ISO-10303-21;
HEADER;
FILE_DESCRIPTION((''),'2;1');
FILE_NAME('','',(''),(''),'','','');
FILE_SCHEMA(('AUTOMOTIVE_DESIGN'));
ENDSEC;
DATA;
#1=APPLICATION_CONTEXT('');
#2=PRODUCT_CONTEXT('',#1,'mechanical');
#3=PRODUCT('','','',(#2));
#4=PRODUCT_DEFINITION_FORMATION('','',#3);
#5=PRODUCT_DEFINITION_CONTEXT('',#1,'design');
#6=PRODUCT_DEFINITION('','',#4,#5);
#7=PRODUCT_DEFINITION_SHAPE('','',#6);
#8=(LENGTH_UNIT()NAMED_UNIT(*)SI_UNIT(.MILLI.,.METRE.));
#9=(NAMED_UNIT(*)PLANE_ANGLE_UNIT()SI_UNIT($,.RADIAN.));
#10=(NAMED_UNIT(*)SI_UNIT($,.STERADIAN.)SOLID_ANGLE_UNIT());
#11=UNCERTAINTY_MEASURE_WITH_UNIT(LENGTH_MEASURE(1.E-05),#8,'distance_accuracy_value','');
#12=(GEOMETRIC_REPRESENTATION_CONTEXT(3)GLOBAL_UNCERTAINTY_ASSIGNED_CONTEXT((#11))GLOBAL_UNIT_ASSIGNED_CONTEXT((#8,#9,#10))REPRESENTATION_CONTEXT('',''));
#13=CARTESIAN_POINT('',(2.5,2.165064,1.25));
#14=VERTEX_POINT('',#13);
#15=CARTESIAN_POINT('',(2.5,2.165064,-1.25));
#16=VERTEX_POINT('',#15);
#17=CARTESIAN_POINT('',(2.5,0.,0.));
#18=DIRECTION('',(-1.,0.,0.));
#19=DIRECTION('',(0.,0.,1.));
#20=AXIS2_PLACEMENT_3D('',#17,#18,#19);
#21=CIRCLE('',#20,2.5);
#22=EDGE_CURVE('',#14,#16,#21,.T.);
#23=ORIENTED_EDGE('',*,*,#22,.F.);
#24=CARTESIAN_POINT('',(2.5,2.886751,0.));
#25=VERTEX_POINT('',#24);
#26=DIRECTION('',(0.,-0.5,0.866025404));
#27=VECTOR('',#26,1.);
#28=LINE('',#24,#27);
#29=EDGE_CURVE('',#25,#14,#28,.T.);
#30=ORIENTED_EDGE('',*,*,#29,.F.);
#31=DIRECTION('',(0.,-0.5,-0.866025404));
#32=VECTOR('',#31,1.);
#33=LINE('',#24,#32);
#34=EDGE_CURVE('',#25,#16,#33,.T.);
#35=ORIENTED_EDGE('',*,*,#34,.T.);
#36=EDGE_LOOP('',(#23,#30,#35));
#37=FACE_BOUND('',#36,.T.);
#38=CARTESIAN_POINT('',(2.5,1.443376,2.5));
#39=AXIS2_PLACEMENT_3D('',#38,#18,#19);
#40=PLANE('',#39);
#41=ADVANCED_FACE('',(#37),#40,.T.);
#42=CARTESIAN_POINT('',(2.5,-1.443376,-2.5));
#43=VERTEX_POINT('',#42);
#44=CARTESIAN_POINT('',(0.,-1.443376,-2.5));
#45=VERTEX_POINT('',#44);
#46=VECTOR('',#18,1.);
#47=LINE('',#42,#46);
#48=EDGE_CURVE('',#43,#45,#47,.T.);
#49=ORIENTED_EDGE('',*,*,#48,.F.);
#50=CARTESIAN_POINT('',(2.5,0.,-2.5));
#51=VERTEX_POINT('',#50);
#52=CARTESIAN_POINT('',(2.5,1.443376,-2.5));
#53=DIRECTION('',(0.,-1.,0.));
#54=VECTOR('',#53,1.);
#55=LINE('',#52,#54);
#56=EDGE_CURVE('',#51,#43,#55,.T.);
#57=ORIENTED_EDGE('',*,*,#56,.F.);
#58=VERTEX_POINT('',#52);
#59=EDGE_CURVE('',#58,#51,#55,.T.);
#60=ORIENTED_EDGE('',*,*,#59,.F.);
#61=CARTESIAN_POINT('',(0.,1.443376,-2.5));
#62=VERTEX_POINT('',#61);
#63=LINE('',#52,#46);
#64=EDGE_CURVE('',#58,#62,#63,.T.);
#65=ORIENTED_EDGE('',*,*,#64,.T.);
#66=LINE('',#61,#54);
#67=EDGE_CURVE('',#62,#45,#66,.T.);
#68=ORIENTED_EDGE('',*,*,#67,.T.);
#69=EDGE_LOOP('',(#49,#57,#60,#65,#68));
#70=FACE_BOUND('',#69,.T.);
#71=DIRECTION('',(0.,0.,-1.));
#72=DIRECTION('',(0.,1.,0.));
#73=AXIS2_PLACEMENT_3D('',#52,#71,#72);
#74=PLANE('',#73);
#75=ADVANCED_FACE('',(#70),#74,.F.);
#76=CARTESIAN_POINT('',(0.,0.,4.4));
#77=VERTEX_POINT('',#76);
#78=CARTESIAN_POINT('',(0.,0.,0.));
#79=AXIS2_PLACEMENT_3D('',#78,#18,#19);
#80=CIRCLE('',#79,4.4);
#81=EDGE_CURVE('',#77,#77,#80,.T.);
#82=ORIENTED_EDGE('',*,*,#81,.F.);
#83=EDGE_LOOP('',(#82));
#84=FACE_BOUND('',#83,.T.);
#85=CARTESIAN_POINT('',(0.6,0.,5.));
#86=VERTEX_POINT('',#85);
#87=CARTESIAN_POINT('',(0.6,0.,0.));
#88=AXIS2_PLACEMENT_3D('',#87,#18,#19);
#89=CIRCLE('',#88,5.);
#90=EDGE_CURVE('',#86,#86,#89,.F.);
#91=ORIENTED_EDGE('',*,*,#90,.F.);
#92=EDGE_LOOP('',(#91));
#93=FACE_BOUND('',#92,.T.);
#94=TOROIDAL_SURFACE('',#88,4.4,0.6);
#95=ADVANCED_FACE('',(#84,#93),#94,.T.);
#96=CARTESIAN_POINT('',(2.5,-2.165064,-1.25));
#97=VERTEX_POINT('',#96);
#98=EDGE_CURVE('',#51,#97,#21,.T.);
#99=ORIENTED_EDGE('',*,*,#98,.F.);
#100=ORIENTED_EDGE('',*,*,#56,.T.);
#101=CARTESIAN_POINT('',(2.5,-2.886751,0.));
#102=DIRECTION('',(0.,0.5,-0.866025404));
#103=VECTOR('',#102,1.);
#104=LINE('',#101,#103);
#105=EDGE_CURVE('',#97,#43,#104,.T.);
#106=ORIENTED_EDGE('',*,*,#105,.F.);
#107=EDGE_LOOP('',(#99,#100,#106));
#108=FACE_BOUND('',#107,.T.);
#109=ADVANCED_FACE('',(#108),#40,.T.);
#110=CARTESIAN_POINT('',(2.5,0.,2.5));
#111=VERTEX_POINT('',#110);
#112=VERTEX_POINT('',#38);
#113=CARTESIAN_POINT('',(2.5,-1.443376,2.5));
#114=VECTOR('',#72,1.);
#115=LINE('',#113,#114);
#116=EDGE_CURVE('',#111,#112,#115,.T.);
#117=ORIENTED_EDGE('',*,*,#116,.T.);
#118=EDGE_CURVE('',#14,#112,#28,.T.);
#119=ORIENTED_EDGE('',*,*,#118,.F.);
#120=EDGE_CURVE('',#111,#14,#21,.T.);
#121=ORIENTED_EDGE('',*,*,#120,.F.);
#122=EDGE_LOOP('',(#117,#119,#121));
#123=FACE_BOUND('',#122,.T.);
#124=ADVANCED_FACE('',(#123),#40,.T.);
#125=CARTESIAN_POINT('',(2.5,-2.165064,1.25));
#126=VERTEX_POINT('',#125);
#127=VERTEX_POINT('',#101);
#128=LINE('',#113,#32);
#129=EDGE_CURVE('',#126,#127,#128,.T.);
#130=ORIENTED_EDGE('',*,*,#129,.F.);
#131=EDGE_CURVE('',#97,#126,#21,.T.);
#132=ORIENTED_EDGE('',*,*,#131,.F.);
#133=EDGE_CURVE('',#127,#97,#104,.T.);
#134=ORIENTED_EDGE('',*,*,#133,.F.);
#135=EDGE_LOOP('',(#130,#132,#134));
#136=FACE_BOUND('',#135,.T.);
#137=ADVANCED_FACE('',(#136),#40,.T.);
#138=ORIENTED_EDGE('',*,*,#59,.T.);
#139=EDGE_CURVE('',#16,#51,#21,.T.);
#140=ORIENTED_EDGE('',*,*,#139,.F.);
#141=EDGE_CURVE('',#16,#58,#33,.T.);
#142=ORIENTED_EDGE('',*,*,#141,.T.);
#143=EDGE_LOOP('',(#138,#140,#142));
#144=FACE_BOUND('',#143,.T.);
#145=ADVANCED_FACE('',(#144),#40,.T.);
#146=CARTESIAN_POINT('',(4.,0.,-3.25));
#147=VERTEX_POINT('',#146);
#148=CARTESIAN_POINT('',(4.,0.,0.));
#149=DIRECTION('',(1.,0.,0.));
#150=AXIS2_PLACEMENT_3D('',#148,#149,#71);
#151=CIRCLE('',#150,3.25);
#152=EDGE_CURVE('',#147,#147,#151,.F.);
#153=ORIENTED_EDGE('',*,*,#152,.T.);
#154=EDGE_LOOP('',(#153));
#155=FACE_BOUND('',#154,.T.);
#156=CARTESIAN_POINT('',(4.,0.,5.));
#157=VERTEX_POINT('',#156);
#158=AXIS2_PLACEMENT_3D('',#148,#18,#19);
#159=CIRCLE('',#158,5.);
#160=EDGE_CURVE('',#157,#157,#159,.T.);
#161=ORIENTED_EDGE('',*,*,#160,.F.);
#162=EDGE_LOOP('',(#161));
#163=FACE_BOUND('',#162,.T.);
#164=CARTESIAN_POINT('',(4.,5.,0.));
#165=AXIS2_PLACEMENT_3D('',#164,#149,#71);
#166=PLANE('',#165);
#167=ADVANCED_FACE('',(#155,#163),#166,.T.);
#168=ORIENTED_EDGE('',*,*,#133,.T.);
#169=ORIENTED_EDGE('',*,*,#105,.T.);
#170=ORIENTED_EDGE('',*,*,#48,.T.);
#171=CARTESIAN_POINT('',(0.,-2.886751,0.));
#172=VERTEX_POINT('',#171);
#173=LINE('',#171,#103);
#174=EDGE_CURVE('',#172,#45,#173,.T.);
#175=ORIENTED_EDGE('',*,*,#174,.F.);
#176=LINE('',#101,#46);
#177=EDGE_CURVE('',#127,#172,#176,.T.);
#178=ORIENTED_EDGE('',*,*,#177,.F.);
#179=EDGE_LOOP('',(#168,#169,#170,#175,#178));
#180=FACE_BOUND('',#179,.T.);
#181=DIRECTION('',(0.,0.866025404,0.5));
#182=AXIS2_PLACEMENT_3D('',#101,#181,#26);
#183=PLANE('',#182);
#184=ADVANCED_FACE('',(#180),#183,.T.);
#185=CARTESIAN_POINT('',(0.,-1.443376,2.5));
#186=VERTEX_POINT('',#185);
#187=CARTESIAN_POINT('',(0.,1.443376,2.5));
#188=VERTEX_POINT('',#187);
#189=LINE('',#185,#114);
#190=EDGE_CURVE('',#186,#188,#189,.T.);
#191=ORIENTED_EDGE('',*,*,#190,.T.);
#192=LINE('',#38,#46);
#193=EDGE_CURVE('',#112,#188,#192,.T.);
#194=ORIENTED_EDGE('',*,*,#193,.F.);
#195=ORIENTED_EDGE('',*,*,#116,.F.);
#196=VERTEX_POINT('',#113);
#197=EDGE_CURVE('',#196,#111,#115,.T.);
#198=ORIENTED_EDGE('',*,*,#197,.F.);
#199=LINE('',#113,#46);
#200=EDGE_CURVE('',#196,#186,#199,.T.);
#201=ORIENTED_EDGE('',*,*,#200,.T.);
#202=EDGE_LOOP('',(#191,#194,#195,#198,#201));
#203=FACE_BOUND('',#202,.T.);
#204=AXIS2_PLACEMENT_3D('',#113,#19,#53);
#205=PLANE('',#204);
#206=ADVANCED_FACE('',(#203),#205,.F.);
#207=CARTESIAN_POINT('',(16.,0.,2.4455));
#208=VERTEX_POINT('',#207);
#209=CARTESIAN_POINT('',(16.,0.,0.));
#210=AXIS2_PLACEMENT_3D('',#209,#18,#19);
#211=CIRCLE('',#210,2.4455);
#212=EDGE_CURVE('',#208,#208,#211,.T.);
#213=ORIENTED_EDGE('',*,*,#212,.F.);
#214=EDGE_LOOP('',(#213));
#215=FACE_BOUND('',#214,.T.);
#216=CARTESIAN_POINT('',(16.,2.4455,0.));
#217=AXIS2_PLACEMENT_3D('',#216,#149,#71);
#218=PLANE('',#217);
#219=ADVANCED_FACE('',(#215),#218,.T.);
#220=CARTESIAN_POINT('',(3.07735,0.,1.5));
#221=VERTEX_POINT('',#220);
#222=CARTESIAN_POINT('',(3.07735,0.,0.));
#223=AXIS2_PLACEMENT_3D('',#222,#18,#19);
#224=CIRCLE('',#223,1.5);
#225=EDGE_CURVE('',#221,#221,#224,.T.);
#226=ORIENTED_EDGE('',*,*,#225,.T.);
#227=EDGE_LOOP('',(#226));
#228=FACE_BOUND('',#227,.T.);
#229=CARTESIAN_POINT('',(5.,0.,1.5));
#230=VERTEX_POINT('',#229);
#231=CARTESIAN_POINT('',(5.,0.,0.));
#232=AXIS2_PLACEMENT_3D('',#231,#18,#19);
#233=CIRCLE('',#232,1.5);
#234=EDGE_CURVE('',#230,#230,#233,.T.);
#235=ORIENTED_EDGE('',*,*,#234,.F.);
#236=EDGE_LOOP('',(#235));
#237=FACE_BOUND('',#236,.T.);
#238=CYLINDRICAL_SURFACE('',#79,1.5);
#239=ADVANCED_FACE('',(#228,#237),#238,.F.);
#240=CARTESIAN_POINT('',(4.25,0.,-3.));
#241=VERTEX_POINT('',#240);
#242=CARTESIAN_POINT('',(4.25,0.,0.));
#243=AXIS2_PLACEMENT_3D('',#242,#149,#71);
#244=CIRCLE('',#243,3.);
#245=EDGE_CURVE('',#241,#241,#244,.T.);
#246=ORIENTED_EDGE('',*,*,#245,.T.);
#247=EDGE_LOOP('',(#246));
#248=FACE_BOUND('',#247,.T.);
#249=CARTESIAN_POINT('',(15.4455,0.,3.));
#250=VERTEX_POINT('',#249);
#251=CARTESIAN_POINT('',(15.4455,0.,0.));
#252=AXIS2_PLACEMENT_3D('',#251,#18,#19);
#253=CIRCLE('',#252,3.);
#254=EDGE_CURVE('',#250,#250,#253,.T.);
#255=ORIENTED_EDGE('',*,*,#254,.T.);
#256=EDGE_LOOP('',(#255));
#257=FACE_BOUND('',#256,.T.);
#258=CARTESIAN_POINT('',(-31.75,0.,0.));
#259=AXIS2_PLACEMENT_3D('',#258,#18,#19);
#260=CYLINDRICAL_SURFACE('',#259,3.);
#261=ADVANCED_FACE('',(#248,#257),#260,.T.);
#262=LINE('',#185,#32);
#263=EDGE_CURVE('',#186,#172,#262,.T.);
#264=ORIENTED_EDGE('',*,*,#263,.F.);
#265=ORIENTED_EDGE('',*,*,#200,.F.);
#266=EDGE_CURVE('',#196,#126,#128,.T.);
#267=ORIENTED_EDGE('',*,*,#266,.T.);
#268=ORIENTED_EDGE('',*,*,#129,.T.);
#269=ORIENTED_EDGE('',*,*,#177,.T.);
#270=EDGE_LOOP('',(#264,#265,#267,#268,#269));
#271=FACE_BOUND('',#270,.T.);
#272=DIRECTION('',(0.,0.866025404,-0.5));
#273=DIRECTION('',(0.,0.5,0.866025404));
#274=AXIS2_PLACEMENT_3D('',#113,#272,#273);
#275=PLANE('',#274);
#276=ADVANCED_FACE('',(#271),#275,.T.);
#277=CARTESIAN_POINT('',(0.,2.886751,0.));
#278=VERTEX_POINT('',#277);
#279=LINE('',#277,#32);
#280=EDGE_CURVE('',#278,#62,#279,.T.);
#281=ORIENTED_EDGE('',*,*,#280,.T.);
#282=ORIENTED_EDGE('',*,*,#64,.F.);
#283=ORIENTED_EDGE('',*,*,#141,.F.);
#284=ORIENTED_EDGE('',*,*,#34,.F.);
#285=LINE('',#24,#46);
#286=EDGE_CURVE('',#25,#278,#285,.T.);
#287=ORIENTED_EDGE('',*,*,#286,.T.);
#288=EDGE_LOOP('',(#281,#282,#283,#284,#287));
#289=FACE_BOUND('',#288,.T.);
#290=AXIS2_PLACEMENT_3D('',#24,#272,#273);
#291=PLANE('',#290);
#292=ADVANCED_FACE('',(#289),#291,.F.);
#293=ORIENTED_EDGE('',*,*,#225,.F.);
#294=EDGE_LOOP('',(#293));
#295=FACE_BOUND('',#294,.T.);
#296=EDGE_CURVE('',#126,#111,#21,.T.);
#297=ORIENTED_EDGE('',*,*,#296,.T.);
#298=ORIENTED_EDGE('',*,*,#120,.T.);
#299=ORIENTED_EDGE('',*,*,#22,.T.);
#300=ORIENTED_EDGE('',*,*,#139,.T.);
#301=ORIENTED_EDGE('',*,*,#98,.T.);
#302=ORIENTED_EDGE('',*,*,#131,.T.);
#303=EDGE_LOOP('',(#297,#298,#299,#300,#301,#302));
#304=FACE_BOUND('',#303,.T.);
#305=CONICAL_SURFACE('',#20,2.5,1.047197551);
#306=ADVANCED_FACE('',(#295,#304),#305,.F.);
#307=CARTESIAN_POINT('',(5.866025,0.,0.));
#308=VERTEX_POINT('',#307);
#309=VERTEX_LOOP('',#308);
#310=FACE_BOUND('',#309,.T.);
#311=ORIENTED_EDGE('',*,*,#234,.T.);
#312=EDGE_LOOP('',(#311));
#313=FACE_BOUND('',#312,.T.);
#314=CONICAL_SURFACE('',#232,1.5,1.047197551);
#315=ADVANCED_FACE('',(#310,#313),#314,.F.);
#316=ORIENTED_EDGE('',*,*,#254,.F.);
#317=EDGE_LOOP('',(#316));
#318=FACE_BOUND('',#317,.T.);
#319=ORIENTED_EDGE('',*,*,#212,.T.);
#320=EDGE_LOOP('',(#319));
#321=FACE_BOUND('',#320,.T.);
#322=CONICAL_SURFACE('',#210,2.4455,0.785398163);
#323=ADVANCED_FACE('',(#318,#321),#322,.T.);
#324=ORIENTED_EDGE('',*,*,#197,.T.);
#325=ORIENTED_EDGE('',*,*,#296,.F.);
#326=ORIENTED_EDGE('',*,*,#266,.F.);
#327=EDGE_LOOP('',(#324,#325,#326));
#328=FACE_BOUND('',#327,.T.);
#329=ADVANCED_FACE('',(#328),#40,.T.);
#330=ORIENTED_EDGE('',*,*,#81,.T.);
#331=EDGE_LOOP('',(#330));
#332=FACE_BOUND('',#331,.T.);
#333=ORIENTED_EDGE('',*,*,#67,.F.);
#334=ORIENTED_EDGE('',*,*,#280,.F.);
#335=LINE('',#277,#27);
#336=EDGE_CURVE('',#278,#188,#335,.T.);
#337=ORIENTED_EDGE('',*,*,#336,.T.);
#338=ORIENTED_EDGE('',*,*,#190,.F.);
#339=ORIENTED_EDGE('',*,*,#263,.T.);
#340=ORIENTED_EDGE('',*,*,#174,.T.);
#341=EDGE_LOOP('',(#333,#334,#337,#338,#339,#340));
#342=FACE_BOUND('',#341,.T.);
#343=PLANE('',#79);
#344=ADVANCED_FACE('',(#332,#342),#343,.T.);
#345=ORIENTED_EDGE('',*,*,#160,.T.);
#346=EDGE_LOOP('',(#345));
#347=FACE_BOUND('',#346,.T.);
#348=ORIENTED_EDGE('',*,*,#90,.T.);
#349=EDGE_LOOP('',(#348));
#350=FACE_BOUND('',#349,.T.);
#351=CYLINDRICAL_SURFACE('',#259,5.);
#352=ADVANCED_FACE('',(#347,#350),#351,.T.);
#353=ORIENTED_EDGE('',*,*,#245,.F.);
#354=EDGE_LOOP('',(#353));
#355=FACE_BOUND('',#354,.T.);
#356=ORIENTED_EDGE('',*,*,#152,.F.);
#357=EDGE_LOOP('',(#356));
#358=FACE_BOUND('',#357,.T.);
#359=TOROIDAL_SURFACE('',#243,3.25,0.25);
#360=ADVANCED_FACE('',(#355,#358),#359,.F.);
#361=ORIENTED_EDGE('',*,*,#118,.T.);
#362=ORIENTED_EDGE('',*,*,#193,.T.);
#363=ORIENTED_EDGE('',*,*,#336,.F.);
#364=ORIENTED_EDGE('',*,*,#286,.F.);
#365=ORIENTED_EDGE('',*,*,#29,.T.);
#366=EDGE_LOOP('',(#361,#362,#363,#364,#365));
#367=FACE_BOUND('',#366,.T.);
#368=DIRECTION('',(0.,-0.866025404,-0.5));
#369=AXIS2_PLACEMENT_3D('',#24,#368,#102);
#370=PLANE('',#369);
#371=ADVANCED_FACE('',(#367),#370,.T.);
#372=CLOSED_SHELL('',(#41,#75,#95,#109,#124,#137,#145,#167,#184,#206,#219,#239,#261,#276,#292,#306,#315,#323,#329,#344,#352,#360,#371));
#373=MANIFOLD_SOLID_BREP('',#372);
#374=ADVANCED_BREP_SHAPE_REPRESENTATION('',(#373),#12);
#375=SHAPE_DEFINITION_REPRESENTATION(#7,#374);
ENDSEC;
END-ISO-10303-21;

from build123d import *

# Parameters (mm, degrees)
FILLET1_R   = 0.25
FILLET2_R   = 0.6
HEX_2_DEPTH = 2.5


with BuildPart() as part:
    # BodySke → Base-Revolve (revolve)
    with BuildSketch(Plane.XY, mode=Mode.PRIVATE) as base_revolve_sk:
        Polygon((0, 0), (0, 5), (4, 5), (4, 3), (15.4455, 3), (16, 2.4455), (16, 0), align=None)
    revolve(base_revolve_sk.sketch.rotate(Axis((-31.75, 0, 0), (1, 0, 0)), 90), axis=Axis((-31.75, 0, 0), (1, 0, 0)))

    # Fillet1
    fillet1_edges = [part.edges().sort_by_distance(p)[0] for p in [
        (4, 0, -3),
    ]]
    fillet(fillet1_edges, radius=FILLET1_R)

    # Fillet2
    fillet2_edges = [part.edges().sort_by_distance(p)[0] for p in [
        (0, 0, -5),
    ]]
    fillet(fillet2_edges, radius=FILLET2_R)

    # HexSke → Hex 2 (cut)
    with BuildSketch(Plane(origin=(0, 0, 0), x_dir=(0, 0.500000000000001, 0.866025403784438), z_dir=(-1, 0, 0))):
        Polygon((1.443375673, 2.5), (-1.443375673, 2.5), (-2.886751346, 0), (-1.443375673, -2.5), (1.443375673, -2.5), (2.886751346, 0), align=None)
    extrude(amount=-HEX_2_DEPTH, mode=Mode.SUBTRACT)

    # PilotSke → Hex-PreBroach (revolve, cut)
    with BuildSketch(Plane.XY, mode=Mode.PRIVATE) as hex_prebroach_sk:
        Polygon((0, 2.5), (2.5, 2.5), (3.077350269, 1.5), (5, 1.5), (5.866025404, 0), (0, 0), align=None)
    revolve(hex_prebroach_sk.sketch.rotate(Axis((0, 0, 0), (1, 0, 0)), 90), axis=Axis((0, 0, 0), (1, 0, 0)), mode=Mode.SUBTRACT)


solid = part.part
